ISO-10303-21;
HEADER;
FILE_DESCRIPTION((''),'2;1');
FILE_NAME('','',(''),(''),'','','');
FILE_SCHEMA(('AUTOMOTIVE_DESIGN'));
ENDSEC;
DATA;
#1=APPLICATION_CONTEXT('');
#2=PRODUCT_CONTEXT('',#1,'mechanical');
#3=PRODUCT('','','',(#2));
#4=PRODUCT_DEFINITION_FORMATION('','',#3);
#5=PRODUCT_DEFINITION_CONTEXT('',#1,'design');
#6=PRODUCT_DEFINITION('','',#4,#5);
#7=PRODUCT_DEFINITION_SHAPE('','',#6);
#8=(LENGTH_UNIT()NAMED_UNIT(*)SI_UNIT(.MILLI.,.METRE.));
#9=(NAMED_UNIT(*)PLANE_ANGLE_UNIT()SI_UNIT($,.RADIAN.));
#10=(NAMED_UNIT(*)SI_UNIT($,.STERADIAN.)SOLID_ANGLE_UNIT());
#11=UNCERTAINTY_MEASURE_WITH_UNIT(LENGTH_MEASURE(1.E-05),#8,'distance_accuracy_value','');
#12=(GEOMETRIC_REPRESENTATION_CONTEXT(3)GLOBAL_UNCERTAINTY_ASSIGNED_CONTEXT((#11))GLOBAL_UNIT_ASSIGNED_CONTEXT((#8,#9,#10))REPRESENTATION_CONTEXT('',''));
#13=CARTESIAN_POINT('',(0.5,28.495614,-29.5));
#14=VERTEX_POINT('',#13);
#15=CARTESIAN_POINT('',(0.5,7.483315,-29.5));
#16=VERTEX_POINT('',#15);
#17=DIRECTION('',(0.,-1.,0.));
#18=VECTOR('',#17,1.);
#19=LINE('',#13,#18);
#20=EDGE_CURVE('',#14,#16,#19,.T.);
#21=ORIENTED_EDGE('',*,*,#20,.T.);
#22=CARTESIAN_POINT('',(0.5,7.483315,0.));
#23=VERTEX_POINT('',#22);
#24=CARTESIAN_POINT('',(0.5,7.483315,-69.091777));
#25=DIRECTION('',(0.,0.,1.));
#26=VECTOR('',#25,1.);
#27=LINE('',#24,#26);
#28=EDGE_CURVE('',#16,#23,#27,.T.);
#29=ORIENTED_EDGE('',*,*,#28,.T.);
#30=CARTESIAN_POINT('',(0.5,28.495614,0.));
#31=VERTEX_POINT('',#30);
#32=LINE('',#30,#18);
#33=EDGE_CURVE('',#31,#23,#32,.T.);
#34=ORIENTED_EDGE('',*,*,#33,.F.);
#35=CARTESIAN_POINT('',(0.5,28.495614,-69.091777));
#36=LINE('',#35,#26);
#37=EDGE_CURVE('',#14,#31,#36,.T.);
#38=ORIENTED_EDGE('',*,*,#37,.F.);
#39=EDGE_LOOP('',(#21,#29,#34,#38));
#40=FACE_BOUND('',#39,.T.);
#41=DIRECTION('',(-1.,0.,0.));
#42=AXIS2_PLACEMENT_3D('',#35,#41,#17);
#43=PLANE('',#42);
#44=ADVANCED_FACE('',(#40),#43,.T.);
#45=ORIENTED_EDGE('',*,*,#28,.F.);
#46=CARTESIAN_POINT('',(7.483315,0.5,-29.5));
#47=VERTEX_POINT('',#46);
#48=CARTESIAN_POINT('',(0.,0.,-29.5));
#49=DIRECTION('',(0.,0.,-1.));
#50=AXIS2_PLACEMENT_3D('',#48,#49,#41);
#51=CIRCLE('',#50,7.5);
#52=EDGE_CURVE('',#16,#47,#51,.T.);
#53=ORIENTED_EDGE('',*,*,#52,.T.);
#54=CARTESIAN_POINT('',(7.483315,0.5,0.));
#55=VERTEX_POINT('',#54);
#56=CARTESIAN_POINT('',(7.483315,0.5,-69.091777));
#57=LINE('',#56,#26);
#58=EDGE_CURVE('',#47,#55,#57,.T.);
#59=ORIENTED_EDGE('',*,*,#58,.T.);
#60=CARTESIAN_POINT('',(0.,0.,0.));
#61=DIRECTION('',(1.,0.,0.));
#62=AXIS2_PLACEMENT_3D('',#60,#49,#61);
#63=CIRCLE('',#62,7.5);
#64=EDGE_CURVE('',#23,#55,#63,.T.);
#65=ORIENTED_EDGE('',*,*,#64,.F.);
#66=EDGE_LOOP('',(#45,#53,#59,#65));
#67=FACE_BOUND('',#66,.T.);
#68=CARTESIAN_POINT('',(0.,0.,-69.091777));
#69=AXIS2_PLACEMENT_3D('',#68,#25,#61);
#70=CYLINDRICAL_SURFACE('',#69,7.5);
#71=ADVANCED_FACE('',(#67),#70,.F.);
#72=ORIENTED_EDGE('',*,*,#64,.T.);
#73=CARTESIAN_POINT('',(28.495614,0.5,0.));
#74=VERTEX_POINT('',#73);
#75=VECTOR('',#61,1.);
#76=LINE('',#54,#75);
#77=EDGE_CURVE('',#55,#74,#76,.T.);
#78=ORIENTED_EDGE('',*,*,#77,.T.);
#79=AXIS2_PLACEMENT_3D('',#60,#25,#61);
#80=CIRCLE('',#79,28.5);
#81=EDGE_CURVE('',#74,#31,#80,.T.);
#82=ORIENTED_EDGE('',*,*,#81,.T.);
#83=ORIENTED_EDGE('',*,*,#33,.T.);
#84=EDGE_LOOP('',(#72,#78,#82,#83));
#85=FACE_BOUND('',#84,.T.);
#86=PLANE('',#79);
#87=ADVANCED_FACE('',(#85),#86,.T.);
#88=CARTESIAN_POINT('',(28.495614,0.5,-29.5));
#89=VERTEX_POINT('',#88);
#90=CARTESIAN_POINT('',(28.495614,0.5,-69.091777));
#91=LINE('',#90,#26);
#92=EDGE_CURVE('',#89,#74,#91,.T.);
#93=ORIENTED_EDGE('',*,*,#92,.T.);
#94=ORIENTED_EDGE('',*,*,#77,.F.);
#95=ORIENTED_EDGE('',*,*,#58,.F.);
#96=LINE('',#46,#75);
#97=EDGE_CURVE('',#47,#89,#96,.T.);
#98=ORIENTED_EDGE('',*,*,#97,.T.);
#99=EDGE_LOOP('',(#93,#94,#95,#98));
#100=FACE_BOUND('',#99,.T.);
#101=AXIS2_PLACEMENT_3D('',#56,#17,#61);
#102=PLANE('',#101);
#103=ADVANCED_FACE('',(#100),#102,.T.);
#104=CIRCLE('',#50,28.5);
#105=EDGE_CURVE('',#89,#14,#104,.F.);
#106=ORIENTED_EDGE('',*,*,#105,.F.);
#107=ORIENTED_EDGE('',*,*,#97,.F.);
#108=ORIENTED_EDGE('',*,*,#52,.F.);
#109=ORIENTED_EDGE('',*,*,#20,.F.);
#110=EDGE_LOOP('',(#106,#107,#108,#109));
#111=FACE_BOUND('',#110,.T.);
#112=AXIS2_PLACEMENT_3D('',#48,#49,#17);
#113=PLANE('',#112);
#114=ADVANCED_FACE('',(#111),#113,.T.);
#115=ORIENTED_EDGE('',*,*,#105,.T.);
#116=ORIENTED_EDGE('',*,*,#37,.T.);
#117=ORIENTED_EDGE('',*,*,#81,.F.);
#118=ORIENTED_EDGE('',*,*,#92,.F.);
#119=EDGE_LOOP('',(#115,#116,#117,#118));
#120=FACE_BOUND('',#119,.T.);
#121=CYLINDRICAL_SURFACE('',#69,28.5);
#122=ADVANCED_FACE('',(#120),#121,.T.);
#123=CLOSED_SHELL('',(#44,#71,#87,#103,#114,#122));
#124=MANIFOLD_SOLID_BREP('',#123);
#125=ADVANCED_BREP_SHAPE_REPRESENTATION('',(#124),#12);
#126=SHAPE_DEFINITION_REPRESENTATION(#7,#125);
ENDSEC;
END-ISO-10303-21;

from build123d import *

# Parameters (mm, degrees)
BOSS_EXTRUDE1_DEPTH = 29.5


with BuildPart() as part:
    # Sketch1 → Boss-Extrude1 (new body)
    with BuildSketch(Plane.XY):
        with BuildLine():
            Line((0.5, 28.495613698), (0.5, 7.483314774))
            ThreePointArc((0.5, 7.483314774), (5.303300859, 5.303300859), (7.483314774, 0.5))
            Line((7.483314774, 0.5), (28.495613698, 0.5))
            ThreePointArc((28.495613698, 0.5), (20.152543264, 20.152543264), (0.5, 28.495613698))
        make_face()
    extrude(amount=-BOSS_EXTRUDE1_DEPTH)


solid = part.part
